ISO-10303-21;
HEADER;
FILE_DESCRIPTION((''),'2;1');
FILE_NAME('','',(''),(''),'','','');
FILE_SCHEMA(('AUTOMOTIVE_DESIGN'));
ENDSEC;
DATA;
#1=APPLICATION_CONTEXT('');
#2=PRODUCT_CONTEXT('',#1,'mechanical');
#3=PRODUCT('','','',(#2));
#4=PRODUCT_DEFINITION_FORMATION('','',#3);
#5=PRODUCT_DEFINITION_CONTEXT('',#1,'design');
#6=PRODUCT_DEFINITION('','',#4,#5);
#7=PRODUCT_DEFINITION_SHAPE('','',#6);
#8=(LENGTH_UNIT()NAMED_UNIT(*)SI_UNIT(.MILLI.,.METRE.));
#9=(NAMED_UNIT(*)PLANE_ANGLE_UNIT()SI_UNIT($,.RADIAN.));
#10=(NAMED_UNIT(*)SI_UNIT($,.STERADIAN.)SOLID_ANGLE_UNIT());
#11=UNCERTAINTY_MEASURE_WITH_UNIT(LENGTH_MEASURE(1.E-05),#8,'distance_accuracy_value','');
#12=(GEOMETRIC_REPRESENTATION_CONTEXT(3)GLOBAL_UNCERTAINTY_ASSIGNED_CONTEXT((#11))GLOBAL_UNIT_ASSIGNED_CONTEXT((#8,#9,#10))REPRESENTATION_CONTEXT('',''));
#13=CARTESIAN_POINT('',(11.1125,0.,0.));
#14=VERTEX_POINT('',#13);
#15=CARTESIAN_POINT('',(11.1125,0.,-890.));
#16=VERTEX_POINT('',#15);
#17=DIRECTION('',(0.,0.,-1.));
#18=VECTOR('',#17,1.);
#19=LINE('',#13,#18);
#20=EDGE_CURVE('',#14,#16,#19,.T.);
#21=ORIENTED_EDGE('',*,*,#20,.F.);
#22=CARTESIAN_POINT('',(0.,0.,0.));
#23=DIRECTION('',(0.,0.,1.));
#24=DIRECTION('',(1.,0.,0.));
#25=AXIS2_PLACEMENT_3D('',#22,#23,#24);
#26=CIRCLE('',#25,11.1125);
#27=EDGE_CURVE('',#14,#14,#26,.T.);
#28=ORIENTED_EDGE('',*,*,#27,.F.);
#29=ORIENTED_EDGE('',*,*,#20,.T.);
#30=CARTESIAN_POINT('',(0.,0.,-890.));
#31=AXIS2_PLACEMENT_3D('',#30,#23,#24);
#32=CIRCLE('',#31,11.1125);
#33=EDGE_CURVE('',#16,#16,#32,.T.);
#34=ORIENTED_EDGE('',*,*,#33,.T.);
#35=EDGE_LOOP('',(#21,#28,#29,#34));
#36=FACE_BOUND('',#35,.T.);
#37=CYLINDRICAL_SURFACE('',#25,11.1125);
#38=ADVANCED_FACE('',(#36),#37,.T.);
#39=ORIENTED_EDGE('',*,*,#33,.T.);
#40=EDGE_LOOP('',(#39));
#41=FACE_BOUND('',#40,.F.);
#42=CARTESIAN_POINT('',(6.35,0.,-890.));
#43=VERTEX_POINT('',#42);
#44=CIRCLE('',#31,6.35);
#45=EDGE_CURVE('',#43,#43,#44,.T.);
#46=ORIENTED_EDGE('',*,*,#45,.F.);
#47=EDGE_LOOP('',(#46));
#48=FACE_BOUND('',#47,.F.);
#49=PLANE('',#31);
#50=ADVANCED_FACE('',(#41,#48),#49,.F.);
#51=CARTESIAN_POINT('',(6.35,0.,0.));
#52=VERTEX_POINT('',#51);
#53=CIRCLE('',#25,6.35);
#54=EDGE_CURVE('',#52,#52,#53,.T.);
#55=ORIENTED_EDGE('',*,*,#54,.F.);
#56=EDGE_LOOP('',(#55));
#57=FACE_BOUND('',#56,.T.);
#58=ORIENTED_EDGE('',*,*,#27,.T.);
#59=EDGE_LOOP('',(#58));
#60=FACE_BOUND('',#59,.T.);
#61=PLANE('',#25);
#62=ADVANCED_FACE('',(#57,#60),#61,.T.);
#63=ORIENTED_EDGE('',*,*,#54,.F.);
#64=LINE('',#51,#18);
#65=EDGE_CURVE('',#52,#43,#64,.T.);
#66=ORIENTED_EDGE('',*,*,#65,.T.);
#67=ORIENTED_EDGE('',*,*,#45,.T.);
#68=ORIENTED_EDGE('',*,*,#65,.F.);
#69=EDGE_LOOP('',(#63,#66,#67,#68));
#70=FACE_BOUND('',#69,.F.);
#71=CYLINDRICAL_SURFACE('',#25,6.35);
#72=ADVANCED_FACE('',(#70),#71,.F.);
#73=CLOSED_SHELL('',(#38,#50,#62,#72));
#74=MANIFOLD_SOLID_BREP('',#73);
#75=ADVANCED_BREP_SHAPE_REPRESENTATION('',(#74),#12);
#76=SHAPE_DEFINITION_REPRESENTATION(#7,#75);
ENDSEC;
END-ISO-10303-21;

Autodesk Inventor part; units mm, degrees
ref_plane "YZ Plane" through (0, 0, 0) normal (1, 0, 0) x (0, 1, 0)
ref_plane "XZ Plane" through (0, 0, 0) normal (0, 1, 0) x (-1, 0, 0)
ref_plane "XY Plane" through (0, 0, 0) normal (0, 0, 1) x (1, 0, 0)
sketch "Sketch1" plane through (0, 0, 0) normal (0, 0, 1) x (1, 0, 0)
  circle A0 centre (0, 0) radius 11.1125
  circle A1 centre (0, 0) radius 6.35
  dimension "d0" = 22.225
  dimension "d1" = 12.7
extrude "Extrusion1" add sketch "Sketch1" against normal blind 890
properties part number "Diffusion Foam" material "Polycarbonate, Smoke"
